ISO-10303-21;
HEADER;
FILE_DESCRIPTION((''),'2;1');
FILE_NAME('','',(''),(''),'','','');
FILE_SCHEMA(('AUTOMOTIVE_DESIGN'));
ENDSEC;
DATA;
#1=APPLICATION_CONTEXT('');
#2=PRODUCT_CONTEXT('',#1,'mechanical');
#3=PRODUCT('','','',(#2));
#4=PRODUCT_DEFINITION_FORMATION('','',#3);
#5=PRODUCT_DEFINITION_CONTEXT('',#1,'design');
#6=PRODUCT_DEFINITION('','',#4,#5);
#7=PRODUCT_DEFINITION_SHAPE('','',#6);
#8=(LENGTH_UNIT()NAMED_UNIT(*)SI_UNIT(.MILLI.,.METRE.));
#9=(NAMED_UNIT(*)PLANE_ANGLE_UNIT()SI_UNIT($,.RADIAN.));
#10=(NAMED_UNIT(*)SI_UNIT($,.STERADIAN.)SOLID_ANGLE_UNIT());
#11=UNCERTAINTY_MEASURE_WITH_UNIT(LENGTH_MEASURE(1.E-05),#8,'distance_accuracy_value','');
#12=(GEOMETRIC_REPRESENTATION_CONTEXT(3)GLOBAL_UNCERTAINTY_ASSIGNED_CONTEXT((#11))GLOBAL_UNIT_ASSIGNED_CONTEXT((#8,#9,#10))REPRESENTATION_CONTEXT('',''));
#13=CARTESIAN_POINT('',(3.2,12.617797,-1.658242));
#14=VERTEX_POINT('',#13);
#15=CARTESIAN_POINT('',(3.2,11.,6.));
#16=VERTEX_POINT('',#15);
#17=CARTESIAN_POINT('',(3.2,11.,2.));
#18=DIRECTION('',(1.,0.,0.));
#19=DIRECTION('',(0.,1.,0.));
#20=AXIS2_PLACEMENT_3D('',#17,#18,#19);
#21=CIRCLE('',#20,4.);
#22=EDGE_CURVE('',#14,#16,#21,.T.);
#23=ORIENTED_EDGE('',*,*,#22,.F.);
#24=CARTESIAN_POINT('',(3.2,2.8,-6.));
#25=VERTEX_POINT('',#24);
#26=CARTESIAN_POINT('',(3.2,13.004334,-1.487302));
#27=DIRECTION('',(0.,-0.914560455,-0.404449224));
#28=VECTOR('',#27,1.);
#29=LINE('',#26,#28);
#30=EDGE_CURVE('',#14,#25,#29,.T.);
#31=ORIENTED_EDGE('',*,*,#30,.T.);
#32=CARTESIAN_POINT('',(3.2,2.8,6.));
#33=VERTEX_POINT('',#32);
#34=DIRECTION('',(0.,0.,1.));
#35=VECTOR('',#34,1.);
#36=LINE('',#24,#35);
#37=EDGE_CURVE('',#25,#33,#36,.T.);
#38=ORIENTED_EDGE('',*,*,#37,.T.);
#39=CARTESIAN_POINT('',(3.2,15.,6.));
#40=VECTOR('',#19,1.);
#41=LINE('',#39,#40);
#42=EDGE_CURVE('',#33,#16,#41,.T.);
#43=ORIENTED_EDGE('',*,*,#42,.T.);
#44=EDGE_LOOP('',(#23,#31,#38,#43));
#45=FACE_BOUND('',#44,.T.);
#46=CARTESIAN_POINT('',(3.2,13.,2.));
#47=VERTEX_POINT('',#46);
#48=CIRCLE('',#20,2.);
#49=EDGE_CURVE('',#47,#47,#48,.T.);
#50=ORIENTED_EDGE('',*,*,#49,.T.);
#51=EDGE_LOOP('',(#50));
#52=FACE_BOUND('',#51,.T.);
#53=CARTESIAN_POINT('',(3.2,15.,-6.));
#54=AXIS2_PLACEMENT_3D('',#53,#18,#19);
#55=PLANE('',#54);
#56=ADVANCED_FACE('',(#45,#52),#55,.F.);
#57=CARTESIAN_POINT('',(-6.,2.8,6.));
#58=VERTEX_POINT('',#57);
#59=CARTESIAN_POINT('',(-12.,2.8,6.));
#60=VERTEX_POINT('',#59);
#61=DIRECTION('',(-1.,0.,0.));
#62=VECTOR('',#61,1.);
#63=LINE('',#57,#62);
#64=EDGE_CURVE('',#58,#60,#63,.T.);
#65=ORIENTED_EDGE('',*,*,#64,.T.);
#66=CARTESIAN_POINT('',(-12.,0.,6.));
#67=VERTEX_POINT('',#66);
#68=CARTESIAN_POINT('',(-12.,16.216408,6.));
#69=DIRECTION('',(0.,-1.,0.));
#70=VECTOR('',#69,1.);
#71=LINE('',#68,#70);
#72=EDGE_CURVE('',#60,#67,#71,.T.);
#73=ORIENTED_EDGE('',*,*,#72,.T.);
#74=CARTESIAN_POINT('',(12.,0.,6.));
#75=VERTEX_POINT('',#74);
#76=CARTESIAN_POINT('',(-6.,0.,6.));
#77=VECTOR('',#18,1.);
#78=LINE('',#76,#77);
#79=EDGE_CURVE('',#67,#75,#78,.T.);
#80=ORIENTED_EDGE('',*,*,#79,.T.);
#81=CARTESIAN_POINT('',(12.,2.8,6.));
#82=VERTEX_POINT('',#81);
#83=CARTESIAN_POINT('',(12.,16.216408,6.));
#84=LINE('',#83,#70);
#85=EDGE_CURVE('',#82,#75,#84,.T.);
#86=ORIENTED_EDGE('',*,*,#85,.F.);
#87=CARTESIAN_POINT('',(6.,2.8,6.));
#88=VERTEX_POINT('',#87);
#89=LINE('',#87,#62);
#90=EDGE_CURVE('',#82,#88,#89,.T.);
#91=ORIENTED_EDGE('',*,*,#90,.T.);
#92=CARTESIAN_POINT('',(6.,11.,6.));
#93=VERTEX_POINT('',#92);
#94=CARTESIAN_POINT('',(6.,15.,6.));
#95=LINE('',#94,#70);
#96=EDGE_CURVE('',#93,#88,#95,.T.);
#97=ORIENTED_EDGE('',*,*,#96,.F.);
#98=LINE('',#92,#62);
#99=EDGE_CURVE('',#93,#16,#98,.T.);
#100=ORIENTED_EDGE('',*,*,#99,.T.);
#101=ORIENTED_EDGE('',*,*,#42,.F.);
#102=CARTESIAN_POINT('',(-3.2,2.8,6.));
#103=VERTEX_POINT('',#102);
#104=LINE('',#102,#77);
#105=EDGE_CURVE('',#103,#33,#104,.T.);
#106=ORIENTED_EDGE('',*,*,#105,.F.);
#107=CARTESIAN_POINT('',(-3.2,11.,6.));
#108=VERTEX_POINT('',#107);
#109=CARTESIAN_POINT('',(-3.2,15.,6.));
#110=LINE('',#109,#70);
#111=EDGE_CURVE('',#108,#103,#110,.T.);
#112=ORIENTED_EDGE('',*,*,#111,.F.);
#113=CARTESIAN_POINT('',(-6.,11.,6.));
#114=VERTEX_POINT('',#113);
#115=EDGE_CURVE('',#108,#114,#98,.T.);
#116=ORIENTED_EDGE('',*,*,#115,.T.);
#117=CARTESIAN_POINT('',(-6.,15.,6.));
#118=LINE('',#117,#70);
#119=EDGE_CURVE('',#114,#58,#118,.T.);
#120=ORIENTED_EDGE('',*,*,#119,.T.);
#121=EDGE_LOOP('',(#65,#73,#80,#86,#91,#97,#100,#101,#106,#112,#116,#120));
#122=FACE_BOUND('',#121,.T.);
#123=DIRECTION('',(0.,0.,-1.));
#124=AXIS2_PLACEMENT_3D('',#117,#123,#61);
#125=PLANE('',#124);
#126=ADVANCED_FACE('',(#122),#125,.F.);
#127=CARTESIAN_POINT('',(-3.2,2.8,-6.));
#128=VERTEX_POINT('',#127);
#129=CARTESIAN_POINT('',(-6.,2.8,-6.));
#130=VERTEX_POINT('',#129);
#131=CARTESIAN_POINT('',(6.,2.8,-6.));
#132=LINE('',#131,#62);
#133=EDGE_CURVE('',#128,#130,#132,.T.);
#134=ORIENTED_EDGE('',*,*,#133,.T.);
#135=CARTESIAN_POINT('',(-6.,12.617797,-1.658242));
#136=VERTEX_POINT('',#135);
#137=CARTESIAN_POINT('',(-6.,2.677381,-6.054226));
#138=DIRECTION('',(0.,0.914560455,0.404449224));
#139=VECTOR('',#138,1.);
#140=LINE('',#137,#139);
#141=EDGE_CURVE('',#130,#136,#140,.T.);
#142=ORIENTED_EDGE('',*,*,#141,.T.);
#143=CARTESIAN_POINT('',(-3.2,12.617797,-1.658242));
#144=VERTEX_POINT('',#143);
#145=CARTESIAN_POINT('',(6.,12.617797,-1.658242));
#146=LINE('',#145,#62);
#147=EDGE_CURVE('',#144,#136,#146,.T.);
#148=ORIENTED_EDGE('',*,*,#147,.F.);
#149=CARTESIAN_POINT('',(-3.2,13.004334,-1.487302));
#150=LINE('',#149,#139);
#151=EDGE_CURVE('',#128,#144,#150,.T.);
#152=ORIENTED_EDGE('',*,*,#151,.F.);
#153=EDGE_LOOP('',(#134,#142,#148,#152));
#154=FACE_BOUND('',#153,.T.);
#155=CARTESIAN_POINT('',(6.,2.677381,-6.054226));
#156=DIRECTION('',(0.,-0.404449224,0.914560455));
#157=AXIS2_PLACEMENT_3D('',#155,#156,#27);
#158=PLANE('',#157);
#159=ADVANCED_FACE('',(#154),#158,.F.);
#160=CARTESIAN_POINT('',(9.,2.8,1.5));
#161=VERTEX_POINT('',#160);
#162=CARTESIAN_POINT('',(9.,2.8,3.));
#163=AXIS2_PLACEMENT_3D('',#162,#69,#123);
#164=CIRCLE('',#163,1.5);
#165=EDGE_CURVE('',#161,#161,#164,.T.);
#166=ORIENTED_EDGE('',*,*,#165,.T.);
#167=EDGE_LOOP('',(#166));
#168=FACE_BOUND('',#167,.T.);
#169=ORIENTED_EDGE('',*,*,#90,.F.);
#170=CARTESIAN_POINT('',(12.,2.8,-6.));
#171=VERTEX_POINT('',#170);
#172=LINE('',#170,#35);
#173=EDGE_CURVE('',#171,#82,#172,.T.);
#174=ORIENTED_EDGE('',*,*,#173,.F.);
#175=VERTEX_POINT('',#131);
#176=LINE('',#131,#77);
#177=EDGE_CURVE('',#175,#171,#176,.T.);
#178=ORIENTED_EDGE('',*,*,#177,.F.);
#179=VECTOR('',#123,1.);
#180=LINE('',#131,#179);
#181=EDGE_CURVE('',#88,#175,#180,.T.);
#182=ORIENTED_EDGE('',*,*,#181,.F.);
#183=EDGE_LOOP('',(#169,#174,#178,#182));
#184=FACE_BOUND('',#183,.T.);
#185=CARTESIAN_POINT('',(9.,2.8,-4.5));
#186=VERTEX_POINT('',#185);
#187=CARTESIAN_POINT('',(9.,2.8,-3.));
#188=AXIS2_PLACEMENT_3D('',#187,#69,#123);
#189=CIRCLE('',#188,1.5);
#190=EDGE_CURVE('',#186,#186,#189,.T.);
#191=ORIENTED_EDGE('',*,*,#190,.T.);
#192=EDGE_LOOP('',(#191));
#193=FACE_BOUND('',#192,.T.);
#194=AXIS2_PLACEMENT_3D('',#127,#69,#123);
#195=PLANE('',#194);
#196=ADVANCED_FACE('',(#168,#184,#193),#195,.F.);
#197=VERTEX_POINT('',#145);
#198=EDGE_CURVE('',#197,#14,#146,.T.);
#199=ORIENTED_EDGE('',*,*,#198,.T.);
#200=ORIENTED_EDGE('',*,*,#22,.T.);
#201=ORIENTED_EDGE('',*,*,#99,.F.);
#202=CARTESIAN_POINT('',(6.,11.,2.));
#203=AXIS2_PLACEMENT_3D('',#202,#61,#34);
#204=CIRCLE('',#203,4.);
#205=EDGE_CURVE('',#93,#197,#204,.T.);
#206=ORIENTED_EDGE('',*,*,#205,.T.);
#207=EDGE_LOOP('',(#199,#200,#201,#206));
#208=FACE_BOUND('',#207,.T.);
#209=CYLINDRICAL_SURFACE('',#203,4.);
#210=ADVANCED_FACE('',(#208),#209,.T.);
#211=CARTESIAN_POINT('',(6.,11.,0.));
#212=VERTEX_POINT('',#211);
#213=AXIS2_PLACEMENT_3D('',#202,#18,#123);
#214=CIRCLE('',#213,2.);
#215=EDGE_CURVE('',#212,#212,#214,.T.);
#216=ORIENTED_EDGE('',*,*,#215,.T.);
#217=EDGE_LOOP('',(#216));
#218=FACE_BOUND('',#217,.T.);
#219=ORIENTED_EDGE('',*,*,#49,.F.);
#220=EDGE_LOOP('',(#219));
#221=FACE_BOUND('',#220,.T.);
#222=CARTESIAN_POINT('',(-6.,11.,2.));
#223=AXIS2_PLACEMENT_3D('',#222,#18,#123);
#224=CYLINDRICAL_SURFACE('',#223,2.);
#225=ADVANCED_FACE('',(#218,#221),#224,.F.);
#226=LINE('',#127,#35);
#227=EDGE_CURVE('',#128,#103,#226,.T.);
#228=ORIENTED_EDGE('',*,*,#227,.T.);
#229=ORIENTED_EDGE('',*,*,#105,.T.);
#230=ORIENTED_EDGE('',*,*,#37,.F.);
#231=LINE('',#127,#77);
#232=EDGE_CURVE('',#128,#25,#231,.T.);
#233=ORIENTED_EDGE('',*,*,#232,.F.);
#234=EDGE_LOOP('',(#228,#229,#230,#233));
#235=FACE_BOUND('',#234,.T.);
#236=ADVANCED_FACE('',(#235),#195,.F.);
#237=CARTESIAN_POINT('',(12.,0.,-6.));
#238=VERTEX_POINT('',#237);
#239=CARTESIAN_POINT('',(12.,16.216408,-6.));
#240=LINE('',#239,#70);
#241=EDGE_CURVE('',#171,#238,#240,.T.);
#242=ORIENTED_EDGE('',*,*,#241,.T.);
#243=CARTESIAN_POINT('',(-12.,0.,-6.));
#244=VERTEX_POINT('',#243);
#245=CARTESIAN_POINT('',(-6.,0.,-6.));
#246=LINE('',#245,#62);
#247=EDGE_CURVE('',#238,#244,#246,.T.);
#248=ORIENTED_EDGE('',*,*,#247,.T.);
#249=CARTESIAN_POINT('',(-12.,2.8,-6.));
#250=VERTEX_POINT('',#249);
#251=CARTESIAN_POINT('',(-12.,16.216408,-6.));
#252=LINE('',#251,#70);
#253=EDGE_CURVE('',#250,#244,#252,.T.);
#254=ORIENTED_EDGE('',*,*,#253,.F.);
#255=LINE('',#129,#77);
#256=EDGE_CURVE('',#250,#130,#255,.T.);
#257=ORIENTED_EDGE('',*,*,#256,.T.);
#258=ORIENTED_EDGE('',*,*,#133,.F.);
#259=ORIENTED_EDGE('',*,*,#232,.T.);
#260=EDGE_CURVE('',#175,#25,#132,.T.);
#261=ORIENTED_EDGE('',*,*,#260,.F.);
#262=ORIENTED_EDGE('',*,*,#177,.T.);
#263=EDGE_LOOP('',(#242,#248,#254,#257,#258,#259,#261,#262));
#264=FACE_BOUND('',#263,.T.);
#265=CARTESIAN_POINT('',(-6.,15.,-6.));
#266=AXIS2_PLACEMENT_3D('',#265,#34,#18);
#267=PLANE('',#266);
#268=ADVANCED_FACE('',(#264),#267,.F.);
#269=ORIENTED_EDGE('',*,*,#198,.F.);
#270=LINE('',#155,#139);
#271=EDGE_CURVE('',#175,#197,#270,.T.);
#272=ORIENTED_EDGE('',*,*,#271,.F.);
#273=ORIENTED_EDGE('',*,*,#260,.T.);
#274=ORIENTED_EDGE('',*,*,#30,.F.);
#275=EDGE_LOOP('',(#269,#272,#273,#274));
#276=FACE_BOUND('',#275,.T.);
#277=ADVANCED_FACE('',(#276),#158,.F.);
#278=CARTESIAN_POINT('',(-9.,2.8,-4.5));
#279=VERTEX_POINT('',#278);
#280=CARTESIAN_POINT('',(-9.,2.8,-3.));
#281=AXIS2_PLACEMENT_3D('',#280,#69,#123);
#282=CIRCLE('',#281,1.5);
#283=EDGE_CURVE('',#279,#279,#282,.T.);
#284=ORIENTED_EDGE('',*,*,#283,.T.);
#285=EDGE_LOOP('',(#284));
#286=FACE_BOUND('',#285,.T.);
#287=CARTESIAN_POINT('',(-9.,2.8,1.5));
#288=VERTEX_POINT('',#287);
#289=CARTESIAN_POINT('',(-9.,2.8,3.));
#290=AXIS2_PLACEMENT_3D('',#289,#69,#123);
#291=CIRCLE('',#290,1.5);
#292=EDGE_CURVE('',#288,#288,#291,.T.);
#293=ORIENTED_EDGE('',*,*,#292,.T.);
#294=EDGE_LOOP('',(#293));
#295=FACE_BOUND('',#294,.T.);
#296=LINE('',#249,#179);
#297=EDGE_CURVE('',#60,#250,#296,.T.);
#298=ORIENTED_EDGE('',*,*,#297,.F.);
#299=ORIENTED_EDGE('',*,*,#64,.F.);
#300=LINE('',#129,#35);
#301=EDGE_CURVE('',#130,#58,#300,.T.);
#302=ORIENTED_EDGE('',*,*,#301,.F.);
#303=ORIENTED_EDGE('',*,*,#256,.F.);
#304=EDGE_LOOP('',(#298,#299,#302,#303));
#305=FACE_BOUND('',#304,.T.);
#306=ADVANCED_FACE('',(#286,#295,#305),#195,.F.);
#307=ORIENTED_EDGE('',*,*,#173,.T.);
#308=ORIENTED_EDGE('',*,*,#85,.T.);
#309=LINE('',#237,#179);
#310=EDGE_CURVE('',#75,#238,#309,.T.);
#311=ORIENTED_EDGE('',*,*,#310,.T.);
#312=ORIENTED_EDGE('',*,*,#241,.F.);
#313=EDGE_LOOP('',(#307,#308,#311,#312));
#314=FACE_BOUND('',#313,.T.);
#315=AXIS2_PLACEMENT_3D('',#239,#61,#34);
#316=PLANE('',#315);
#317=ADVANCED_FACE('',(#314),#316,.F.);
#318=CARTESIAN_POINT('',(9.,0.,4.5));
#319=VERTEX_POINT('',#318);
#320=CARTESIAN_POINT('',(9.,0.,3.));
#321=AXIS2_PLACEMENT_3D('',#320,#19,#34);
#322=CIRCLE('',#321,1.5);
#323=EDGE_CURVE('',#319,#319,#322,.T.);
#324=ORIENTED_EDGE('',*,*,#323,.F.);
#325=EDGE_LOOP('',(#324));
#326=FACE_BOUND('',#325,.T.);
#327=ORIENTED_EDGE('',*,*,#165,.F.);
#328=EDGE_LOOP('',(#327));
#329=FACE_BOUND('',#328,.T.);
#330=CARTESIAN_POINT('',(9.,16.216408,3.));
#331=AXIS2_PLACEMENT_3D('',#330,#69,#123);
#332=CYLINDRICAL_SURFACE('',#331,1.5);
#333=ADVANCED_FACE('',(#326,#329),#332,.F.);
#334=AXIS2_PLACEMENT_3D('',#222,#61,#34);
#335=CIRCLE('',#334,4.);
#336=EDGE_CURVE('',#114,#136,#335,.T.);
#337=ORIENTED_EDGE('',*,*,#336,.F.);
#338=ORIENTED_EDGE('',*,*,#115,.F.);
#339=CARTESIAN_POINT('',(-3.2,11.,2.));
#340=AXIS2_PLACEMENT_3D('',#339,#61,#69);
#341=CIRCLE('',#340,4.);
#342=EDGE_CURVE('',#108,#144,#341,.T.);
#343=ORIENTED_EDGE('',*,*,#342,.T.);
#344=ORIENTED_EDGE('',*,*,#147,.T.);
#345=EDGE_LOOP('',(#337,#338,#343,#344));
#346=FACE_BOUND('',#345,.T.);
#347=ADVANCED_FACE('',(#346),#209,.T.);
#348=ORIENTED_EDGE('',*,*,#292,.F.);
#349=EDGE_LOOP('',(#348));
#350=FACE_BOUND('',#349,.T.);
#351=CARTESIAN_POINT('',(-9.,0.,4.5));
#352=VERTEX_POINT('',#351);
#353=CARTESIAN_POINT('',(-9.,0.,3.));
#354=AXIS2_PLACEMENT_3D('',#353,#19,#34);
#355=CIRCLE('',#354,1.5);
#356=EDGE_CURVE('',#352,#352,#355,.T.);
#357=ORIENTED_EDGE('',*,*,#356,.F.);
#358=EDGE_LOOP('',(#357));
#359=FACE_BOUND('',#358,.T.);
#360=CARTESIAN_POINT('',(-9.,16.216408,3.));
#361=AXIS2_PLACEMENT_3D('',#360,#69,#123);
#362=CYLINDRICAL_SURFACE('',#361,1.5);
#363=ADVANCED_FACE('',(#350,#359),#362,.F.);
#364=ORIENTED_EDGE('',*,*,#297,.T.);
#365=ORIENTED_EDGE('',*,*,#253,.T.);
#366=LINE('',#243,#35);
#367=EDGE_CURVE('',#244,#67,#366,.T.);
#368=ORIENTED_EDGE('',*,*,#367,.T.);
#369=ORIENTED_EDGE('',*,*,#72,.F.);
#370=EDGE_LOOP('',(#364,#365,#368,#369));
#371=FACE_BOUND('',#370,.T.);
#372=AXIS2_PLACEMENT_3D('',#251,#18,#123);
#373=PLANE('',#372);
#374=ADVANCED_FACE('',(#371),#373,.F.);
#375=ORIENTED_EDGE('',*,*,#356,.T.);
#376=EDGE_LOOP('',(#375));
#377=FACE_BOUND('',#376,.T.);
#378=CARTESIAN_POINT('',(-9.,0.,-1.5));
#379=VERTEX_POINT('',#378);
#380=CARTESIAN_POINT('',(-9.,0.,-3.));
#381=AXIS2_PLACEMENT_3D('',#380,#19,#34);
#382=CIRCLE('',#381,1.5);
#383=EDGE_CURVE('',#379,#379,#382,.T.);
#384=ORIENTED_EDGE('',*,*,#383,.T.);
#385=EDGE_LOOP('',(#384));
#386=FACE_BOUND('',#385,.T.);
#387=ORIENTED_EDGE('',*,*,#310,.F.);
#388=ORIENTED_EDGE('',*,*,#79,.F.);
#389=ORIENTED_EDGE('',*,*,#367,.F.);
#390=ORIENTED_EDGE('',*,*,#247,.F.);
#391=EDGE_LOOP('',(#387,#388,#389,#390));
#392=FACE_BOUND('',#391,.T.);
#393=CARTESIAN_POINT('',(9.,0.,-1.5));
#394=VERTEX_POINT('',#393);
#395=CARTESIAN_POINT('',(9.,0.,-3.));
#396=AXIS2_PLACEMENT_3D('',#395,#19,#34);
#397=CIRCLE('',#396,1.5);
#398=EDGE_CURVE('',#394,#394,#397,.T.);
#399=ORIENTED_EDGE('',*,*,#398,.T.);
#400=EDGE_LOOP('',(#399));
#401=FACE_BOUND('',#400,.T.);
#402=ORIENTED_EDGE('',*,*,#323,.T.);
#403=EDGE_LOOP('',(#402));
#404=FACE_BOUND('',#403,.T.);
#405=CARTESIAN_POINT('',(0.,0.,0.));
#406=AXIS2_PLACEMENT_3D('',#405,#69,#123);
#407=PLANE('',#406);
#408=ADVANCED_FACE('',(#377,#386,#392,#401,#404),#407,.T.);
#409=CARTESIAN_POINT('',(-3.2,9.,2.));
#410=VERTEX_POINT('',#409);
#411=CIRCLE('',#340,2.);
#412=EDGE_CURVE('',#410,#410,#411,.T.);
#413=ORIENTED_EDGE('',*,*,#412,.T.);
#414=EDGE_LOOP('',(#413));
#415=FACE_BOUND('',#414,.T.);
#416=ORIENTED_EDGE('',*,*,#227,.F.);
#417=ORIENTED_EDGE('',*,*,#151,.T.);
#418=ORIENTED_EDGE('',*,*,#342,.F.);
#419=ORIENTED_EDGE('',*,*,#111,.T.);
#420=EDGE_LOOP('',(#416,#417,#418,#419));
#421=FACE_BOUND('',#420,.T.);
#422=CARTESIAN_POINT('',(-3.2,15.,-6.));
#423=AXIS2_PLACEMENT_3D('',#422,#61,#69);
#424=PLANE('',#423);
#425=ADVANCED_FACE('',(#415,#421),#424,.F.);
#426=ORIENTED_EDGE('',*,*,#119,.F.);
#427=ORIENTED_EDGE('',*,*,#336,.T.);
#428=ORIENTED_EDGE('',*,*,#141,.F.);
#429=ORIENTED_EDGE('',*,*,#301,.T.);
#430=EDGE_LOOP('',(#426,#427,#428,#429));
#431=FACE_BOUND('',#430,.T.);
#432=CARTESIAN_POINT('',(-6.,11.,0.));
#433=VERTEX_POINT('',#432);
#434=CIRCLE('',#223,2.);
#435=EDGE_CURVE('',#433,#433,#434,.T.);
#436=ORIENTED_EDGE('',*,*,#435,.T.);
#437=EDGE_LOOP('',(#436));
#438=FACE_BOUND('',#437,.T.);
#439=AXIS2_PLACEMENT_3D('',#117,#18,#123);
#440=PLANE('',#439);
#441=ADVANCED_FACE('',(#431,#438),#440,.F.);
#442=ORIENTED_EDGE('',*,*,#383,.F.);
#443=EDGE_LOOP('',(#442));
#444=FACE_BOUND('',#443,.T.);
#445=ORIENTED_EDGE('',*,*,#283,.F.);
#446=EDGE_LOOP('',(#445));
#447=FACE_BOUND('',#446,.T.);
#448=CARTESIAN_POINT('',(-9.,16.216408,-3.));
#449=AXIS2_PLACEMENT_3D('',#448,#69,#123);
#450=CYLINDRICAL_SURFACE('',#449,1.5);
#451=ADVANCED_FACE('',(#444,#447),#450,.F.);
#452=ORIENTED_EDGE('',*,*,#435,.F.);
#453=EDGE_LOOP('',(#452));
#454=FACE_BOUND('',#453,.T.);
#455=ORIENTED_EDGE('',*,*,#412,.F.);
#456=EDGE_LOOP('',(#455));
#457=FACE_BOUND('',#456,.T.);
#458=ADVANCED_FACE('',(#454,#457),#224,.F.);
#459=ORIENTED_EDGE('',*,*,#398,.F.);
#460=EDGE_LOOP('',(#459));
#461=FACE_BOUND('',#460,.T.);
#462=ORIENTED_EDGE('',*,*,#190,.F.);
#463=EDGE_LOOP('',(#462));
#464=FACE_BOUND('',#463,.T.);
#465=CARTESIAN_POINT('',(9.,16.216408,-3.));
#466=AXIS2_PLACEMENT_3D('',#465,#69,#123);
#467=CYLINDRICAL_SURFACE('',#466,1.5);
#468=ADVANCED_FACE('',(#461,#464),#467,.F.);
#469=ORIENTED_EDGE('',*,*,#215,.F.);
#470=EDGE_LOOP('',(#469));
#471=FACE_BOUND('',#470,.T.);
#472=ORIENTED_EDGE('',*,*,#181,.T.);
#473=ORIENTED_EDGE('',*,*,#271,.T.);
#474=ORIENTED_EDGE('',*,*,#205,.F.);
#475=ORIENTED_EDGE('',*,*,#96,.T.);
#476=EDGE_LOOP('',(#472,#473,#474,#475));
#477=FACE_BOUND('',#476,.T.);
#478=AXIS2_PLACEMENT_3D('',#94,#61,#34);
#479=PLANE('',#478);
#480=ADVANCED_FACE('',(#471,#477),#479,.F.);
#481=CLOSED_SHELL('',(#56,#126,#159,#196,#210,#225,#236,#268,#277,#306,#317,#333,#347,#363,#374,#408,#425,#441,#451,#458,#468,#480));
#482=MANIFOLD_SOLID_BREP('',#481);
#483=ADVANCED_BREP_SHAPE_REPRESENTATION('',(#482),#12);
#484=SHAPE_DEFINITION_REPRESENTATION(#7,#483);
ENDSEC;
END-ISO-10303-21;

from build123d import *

# Parameters (mm, degrees)
SKETCH_1_W          = 12
SKETCH_1_H          = 12
EXTRUDE_1_DEPTH     = 15
SKETCH_2_W          = 6.4
SKETCH_2_H          = 12.2
CUT_EXTRUDE_1_DEPTH = 12
CUT_EXTRUDE_2_DEPTH = 12
SKETCH_8_R          = 2
CUT_EXTRUDE_3_DEPTH = 21.124611797
SKETCH_10_W         = 6
SKETCH_10_H         = 12
SKETCH_10_R         = 1.5
EXTRUDE_2_DEPTH     = 2.8


with BuildPart() as part:
    # 草图1 → 凸台-拉伸1 (new body)
    with BuildSketch(Plane(origin=(0, 0, 0), x_dir=(1, 0, 0), z_dir=(0, 1, 0))):
        Rectangle(SKETCH_1_W, SKETCH_1_H)
    extrude(amount=EXTRUDE_1_DEPTH)

    # 草图2 → 切除-拉伸1 (cut)
    with BuildSketch(Plane.XY.offset(6)):
        with Locations((0, 8.9)):
            Rectangle(SKETCH_2_W, SKETCH_2_H)
    extrude(amount=-CUT_EXTRUDE_1_DEPTH, mode=Mode.SUBTRACT)

    # 草图3 → 切除-拉伸2 (cut)
    with BuildSketch(Plane.ZY.offset(6)):
        with BuildLine():
            Line((-6, 15), (-6, 2.8))
            Line((-6, 2.8), (-1.658241819, 12.617796896))
            ThreePointArc((-1.658241819, 12.617796896), (-0.18275198, 14.351953728), (2, 15))
            Line((2, 15), (-6, 15))
        make_face()
        with BuildLine():
            ThreePointArc((2, 15), (4.828427125, 13.828427125), (6, 11))
            Line((6, 11), (6, 15))
            Line((6, 15), (2, 15))
        make_face()
    extrude(amount=-CUT_EXTRUDE_2_DEPTH, mode=Mode.SUBTRACT)

    # 草图8 → 切除-拉伸3 (cut, through all)
    with BuildSketch(Plane(origin=(6, 0, 0), x_dir=(0, 0, -1), z_dir=(1, 0, 0))):
        with Locations((-2, 11)):
            Circle(SKETCH_8_R)
    extrude(amount=-CUT_EXTRUDE_3_DEPTH, mode=Mode.SUBTRACT)

    # 草图10 → 凸台-拉伸2 (add)
    # profile 1 of 2: a face of its own
    with BuildSketch(Plane(origin=(0, 0, 0), x_dir=(1, 0, 0), z_dir=(0, 1, 0))):
        with Locations((-9, 0)):
            Rectangle(SKETCH_10_W, SKETCH_10_H)
        with Locations(Location((-9, 3, 0), (0, 0, 90))):
            Circle(SKETCH_10_R, mode=Mode.SUBTRACT)
        with Locations(Location((-9, -3, 0), (0, 0, 90))):
            Circle(SKETCH_10_R, mode=Mode.SUBTRACT)
    # profile 2 of 2: a face of its own
    with BuildSketch(Plane(origin=(0, 0, 0), x_dir=(1, 0, 0), z_dir=(0, 1, 0))):
        with Locations((9, 0)):
            Rectangle(SKETCH_10_W, SKETCH_10_H)
        with Locations(Location((9, 3, 0), (0, 0, 90))):
            Circle(SKETCH_10_R, mode=Mode.SUBTRACT)
        with Locations(Location((9, -3, 0), (0, 0, 90))):
            Circle(SKETCH_10_R, mode=Mode.SUBTRACT)
    extrude(amount=EXTRUDE_2_DEPTH)


solid = part.part
